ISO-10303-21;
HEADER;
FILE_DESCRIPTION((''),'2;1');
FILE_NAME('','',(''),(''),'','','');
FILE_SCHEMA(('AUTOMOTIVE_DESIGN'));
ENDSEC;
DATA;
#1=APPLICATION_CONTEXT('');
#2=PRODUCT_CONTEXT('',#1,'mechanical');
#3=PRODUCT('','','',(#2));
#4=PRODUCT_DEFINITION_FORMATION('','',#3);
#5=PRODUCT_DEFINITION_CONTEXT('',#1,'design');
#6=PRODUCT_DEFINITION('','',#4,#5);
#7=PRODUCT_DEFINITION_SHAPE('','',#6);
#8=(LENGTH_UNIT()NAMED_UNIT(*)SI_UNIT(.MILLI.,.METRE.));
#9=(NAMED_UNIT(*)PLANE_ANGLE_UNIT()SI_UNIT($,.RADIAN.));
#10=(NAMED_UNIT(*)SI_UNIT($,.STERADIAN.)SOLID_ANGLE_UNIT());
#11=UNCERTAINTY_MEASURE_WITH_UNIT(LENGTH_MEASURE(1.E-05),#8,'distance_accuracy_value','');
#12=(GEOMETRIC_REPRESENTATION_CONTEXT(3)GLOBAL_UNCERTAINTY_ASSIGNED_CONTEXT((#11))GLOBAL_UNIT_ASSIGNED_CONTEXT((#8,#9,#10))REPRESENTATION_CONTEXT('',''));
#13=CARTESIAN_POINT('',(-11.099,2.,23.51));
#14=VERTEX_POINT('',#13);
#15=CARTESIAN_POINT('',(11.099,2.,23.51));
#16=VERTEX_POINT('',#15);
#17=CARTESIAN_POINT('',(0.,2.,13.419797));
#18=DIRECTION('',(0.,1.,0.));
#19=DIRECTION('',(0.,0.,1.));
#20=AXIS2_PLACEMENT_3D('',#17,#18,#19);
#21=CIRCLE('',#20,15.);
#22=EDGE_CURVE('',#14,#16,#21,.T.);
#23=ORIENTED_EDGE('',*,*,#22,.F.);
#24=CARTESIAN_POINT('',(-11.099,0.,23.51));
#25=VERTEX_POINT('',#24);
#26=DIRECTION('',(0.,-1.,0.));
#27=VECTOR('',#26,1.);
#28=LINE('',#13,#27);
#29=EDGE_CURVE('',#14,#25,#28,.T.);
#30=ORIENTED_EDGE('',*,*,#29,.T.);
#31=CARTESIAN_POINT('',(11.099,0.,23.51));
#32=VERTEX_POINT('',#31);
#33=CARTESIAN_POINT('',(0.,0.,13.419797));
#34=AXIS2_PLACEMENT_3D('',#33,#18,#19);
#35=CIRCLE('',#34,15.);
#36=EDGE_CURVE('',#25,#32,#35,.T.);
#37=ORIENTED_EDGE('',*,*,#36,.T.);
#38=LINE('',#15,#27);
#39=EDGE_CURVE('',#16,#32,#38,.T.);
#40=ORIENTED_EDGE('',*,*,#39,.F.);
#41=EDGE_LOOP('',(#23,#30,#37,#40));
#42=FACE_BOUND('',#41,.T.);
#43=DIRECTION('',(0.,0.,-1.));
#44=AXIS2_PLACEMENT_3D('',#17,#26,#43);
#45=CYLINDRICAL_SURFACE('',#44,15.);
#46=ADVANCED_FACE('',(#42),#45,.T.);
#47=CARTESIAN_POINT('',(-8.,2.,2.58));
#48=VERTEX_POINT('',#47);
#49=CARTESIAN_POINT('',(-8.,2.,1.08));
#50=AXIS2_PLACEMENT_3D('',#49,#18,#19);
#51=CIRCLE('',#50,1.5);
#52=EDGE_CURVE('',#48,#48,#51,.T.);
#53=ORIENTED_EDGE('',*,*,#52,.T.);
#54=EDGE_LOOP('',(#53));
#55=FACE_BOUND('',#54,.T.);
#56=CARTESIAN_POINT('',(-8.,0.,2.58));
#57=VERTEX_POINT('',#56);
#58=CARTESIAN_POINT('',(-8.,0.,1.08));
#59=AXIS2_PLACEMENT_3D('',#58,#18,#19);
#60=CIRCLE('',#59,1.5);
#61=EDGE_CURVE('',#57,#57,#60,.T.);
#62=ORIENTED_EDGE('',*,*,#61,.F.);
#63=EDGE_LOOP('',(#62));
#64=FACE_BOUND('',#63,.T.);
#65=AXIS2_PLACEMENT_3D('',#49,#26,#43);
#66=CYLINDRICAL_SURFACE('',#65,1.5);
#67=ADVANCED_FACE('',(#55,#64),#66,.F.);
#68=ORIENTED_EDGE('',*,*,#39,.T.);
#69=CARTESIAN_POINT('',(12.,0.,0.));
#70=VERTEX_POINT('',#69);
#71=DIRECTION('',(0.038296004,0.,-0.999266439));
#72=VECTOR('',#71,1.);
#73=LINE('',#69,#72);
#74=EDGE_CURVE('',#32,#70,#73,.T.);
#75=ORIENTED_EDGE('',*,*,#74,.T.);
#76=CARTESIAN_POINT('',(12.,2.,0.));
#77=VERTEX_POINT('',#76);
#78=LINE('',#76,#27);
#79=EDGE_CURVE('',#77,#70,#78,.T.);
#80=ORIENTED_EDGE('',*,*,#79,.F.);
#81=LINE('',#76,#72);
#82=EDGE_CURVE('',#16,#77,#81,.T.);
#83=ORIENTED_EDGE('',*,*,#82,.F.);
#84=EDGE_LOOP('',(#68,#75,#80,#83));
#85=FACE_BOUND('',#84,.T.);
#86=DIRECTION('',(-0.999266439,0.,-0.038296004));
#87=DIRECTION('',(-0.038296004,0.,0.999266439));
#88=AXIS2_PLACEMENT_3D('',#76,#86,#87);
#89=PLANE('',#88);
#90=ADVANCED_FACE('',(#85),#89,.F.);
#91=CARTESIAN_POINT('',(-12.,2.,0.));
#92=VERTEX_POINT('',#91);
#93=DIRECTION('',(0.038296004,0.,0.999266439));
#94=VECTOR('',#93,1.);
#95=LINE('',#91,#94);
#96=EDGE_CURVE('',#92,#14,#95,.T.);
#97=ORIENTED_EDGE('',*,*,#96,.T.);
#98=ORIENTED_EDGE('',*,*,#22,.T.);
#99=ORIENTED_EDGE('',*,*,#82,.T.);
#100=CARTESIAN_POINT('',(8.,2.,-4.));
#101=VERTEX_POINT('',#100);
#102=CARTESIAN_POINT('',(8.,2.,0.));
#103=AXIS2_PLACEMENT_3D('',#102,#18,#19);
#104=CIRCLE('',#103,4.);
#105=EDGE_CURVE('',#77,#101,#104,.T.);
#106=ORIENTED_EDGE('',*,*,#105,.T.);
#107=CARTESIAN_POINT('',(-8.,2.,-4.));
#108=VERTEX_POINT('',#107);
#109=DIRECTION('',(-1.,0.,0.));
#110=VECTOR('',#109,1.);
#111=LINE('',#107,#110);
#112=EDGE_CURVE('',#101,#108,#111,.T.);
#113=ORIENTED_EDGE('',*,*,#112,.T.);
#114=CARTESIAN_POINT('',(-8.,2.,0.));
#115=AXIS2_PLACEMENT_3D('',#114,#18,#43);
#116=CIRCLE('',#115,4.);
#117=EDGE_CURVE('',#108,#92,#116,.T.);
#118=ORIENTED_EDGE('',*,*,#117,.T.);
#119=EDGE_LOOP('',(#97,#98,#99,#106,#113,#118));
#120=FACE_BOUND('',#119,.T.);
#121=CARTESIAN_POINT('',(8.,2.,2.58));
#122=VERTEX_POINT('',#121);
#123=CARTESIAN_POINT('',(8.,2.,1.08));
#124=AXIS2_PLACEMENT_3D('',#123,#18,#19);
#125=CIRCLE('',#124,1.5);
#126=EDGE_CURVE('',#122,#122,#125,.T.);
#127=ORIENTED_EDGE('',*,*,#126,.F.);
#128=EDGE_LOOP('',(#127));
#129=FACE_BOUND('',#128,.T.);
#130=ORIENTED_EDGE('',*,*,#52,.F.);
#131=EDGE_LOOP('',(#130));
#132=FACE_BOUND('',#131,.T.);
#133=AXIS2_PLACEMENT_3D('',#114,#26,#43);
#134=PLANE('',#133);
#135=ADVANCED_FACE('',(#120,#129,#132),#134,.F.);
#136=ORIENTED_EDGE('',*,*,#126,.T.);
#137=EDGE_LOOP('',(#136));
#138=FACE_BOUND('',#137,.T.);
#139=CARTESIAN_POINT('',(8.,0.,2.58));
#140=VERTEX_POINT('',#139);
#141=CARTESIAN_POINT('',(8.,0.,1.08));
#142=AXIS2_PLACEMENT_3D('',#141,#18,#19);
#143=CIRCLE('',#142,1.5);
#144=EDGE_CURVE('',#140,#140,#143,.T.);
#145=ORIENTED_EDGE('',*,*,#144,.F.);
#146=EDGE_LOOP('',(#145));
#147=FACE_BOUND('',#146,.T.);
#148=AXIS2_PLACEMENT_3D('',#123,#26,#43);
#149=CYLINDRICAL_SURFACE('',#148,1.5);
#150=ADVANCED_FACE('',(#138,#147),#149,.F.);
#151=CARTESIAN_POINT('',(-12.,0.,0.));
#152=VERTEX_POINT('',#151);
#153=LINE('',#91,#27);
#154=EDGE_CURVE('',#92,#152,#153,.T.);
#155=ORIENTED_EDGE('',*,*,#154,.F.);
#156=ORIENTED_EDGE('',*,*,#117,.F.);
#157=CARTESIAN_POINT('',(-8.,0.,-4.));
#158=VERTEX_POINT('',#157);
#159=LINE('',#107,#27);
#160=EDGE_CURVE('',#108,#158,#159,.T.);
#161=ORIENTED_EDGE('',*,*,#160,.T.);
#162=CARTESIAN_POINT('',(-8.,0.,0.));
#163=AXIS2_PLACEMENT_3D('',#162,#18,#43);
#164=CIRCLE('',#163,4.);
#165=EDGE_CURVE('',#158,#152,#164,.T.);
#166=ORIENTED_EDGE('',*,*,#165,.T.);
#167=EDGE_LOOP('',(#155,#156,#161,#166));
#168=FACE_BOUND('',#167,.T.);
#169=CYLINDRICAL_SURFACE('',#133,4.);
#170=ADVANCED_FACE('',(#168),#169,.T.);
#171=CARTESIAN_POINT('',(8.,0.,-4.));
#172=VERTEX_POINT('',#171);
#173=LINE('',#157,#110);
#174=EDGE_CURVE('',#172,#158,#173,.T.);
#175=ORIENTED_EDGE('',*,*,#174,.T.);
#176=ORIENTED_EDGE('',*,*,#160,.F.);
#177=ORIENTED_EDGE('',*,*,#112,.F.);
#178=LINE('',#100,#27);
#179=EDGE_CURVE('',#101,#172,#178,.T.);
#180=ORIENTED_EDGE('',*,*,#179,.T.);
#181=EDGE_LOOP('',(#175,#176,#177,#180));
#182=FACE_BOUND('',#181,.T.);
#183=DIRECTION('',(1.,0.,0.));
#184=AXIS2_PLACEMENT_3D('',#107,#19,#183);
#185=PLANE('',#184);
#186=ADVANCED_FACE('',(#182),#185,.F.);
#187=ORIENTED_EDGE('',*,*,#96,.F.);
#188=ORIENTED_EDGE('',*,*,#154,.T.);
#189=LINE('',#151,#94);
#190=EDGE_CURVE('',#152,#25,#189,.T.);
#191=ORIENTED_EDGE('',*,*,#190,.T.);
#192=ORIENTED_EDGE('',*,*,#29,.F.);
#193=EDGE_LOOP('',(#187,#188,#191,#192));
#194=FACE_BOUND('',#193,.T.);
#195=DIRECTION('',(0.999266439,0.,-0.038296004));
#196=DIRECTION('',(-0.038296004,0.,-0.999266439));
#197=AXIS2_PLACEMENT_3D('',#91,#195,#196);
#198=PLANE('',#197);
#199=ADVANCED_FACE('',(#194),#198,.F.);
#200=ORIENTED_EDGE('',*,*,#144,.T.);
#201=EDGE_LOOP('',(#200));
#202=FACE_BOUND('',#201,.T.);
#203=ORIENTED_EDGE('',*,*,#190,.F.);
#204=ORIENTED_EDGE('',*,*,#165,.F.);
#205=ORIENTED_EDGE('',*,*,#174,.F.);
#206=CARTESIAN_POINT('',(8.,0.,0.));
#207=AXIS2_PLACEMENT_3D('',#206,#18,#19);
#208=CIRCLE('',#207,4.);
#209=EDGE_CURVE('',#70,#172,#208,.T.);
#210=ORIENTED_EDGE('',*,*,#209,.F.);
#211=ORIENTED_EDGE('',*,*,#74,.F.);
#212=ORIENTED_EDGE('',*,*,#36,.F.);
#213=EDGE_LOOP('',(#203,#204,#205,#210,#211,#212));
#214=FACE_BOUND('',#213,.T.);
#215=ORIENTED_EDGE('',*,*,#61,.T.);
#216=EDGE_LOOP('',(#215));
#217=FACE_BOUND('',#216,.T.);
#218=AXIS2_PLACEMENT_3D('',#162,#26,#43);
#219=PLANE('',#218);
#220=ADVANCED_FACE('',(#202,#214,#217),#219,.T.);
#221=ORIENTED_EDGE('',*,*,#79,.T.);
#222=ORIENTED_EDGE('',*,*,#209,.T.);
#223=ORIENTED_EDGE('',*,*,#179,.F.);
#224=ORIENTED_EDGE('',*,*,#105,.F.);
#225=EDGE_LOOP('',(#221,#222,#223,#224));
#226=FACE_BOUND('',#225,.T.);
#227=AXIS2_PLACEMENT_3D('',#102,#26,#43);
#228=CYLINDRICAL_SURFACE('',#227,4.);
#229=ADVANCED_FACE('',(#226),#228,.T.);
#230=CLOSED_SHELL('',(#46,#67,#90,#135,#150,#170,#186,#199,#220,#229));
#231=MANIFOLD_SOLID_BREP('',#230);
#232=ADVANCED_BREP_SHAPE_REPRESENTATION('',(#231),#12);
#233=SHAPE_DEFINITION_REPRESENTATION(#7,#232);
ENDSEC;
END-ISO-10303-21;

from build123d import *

# Parameters (mm, degrees)
SKETCH1_R           = 1.5
BOSS_EXTRUDE1_DEPTH = 2


with BuildPart() as part:
    # Sketch1 → Boss-Extrude1 (new body)
    with BuildSketch(Plane(origin=(0, 0, 0), x_dir=(1, 0, 0), z_dir=(0, 1, 0))):
        with BuildLine():
            Line((-8, 4), (8, 4))
            ThreePointArc((8, 4), (10.828427125, 2.828427125), (12, 0))
            Line((12, 0), (11.099, -23.51))
            ThreePointArc((11.099, -23.51), (0, -28.41979688), (-11.099, -23.51))
            Line((-11.099, -23.51), (-12, 0))
            ThreePointArc((-12, 0), (-10.828427125, 2.828427125), (-8, 4))
        make_face()
        with Locations((-8, -1.08)):
            Circle(SKETCH1_R, mode=Mode.SUBTRACT)
        with Locations((8, -1.08)):
            Circle(SKETCH1_R, mode=Mode.SUBTRACT)
    extrude(amount=BOSS_EXTRUDE1_DEPTH)


solid = part.part
